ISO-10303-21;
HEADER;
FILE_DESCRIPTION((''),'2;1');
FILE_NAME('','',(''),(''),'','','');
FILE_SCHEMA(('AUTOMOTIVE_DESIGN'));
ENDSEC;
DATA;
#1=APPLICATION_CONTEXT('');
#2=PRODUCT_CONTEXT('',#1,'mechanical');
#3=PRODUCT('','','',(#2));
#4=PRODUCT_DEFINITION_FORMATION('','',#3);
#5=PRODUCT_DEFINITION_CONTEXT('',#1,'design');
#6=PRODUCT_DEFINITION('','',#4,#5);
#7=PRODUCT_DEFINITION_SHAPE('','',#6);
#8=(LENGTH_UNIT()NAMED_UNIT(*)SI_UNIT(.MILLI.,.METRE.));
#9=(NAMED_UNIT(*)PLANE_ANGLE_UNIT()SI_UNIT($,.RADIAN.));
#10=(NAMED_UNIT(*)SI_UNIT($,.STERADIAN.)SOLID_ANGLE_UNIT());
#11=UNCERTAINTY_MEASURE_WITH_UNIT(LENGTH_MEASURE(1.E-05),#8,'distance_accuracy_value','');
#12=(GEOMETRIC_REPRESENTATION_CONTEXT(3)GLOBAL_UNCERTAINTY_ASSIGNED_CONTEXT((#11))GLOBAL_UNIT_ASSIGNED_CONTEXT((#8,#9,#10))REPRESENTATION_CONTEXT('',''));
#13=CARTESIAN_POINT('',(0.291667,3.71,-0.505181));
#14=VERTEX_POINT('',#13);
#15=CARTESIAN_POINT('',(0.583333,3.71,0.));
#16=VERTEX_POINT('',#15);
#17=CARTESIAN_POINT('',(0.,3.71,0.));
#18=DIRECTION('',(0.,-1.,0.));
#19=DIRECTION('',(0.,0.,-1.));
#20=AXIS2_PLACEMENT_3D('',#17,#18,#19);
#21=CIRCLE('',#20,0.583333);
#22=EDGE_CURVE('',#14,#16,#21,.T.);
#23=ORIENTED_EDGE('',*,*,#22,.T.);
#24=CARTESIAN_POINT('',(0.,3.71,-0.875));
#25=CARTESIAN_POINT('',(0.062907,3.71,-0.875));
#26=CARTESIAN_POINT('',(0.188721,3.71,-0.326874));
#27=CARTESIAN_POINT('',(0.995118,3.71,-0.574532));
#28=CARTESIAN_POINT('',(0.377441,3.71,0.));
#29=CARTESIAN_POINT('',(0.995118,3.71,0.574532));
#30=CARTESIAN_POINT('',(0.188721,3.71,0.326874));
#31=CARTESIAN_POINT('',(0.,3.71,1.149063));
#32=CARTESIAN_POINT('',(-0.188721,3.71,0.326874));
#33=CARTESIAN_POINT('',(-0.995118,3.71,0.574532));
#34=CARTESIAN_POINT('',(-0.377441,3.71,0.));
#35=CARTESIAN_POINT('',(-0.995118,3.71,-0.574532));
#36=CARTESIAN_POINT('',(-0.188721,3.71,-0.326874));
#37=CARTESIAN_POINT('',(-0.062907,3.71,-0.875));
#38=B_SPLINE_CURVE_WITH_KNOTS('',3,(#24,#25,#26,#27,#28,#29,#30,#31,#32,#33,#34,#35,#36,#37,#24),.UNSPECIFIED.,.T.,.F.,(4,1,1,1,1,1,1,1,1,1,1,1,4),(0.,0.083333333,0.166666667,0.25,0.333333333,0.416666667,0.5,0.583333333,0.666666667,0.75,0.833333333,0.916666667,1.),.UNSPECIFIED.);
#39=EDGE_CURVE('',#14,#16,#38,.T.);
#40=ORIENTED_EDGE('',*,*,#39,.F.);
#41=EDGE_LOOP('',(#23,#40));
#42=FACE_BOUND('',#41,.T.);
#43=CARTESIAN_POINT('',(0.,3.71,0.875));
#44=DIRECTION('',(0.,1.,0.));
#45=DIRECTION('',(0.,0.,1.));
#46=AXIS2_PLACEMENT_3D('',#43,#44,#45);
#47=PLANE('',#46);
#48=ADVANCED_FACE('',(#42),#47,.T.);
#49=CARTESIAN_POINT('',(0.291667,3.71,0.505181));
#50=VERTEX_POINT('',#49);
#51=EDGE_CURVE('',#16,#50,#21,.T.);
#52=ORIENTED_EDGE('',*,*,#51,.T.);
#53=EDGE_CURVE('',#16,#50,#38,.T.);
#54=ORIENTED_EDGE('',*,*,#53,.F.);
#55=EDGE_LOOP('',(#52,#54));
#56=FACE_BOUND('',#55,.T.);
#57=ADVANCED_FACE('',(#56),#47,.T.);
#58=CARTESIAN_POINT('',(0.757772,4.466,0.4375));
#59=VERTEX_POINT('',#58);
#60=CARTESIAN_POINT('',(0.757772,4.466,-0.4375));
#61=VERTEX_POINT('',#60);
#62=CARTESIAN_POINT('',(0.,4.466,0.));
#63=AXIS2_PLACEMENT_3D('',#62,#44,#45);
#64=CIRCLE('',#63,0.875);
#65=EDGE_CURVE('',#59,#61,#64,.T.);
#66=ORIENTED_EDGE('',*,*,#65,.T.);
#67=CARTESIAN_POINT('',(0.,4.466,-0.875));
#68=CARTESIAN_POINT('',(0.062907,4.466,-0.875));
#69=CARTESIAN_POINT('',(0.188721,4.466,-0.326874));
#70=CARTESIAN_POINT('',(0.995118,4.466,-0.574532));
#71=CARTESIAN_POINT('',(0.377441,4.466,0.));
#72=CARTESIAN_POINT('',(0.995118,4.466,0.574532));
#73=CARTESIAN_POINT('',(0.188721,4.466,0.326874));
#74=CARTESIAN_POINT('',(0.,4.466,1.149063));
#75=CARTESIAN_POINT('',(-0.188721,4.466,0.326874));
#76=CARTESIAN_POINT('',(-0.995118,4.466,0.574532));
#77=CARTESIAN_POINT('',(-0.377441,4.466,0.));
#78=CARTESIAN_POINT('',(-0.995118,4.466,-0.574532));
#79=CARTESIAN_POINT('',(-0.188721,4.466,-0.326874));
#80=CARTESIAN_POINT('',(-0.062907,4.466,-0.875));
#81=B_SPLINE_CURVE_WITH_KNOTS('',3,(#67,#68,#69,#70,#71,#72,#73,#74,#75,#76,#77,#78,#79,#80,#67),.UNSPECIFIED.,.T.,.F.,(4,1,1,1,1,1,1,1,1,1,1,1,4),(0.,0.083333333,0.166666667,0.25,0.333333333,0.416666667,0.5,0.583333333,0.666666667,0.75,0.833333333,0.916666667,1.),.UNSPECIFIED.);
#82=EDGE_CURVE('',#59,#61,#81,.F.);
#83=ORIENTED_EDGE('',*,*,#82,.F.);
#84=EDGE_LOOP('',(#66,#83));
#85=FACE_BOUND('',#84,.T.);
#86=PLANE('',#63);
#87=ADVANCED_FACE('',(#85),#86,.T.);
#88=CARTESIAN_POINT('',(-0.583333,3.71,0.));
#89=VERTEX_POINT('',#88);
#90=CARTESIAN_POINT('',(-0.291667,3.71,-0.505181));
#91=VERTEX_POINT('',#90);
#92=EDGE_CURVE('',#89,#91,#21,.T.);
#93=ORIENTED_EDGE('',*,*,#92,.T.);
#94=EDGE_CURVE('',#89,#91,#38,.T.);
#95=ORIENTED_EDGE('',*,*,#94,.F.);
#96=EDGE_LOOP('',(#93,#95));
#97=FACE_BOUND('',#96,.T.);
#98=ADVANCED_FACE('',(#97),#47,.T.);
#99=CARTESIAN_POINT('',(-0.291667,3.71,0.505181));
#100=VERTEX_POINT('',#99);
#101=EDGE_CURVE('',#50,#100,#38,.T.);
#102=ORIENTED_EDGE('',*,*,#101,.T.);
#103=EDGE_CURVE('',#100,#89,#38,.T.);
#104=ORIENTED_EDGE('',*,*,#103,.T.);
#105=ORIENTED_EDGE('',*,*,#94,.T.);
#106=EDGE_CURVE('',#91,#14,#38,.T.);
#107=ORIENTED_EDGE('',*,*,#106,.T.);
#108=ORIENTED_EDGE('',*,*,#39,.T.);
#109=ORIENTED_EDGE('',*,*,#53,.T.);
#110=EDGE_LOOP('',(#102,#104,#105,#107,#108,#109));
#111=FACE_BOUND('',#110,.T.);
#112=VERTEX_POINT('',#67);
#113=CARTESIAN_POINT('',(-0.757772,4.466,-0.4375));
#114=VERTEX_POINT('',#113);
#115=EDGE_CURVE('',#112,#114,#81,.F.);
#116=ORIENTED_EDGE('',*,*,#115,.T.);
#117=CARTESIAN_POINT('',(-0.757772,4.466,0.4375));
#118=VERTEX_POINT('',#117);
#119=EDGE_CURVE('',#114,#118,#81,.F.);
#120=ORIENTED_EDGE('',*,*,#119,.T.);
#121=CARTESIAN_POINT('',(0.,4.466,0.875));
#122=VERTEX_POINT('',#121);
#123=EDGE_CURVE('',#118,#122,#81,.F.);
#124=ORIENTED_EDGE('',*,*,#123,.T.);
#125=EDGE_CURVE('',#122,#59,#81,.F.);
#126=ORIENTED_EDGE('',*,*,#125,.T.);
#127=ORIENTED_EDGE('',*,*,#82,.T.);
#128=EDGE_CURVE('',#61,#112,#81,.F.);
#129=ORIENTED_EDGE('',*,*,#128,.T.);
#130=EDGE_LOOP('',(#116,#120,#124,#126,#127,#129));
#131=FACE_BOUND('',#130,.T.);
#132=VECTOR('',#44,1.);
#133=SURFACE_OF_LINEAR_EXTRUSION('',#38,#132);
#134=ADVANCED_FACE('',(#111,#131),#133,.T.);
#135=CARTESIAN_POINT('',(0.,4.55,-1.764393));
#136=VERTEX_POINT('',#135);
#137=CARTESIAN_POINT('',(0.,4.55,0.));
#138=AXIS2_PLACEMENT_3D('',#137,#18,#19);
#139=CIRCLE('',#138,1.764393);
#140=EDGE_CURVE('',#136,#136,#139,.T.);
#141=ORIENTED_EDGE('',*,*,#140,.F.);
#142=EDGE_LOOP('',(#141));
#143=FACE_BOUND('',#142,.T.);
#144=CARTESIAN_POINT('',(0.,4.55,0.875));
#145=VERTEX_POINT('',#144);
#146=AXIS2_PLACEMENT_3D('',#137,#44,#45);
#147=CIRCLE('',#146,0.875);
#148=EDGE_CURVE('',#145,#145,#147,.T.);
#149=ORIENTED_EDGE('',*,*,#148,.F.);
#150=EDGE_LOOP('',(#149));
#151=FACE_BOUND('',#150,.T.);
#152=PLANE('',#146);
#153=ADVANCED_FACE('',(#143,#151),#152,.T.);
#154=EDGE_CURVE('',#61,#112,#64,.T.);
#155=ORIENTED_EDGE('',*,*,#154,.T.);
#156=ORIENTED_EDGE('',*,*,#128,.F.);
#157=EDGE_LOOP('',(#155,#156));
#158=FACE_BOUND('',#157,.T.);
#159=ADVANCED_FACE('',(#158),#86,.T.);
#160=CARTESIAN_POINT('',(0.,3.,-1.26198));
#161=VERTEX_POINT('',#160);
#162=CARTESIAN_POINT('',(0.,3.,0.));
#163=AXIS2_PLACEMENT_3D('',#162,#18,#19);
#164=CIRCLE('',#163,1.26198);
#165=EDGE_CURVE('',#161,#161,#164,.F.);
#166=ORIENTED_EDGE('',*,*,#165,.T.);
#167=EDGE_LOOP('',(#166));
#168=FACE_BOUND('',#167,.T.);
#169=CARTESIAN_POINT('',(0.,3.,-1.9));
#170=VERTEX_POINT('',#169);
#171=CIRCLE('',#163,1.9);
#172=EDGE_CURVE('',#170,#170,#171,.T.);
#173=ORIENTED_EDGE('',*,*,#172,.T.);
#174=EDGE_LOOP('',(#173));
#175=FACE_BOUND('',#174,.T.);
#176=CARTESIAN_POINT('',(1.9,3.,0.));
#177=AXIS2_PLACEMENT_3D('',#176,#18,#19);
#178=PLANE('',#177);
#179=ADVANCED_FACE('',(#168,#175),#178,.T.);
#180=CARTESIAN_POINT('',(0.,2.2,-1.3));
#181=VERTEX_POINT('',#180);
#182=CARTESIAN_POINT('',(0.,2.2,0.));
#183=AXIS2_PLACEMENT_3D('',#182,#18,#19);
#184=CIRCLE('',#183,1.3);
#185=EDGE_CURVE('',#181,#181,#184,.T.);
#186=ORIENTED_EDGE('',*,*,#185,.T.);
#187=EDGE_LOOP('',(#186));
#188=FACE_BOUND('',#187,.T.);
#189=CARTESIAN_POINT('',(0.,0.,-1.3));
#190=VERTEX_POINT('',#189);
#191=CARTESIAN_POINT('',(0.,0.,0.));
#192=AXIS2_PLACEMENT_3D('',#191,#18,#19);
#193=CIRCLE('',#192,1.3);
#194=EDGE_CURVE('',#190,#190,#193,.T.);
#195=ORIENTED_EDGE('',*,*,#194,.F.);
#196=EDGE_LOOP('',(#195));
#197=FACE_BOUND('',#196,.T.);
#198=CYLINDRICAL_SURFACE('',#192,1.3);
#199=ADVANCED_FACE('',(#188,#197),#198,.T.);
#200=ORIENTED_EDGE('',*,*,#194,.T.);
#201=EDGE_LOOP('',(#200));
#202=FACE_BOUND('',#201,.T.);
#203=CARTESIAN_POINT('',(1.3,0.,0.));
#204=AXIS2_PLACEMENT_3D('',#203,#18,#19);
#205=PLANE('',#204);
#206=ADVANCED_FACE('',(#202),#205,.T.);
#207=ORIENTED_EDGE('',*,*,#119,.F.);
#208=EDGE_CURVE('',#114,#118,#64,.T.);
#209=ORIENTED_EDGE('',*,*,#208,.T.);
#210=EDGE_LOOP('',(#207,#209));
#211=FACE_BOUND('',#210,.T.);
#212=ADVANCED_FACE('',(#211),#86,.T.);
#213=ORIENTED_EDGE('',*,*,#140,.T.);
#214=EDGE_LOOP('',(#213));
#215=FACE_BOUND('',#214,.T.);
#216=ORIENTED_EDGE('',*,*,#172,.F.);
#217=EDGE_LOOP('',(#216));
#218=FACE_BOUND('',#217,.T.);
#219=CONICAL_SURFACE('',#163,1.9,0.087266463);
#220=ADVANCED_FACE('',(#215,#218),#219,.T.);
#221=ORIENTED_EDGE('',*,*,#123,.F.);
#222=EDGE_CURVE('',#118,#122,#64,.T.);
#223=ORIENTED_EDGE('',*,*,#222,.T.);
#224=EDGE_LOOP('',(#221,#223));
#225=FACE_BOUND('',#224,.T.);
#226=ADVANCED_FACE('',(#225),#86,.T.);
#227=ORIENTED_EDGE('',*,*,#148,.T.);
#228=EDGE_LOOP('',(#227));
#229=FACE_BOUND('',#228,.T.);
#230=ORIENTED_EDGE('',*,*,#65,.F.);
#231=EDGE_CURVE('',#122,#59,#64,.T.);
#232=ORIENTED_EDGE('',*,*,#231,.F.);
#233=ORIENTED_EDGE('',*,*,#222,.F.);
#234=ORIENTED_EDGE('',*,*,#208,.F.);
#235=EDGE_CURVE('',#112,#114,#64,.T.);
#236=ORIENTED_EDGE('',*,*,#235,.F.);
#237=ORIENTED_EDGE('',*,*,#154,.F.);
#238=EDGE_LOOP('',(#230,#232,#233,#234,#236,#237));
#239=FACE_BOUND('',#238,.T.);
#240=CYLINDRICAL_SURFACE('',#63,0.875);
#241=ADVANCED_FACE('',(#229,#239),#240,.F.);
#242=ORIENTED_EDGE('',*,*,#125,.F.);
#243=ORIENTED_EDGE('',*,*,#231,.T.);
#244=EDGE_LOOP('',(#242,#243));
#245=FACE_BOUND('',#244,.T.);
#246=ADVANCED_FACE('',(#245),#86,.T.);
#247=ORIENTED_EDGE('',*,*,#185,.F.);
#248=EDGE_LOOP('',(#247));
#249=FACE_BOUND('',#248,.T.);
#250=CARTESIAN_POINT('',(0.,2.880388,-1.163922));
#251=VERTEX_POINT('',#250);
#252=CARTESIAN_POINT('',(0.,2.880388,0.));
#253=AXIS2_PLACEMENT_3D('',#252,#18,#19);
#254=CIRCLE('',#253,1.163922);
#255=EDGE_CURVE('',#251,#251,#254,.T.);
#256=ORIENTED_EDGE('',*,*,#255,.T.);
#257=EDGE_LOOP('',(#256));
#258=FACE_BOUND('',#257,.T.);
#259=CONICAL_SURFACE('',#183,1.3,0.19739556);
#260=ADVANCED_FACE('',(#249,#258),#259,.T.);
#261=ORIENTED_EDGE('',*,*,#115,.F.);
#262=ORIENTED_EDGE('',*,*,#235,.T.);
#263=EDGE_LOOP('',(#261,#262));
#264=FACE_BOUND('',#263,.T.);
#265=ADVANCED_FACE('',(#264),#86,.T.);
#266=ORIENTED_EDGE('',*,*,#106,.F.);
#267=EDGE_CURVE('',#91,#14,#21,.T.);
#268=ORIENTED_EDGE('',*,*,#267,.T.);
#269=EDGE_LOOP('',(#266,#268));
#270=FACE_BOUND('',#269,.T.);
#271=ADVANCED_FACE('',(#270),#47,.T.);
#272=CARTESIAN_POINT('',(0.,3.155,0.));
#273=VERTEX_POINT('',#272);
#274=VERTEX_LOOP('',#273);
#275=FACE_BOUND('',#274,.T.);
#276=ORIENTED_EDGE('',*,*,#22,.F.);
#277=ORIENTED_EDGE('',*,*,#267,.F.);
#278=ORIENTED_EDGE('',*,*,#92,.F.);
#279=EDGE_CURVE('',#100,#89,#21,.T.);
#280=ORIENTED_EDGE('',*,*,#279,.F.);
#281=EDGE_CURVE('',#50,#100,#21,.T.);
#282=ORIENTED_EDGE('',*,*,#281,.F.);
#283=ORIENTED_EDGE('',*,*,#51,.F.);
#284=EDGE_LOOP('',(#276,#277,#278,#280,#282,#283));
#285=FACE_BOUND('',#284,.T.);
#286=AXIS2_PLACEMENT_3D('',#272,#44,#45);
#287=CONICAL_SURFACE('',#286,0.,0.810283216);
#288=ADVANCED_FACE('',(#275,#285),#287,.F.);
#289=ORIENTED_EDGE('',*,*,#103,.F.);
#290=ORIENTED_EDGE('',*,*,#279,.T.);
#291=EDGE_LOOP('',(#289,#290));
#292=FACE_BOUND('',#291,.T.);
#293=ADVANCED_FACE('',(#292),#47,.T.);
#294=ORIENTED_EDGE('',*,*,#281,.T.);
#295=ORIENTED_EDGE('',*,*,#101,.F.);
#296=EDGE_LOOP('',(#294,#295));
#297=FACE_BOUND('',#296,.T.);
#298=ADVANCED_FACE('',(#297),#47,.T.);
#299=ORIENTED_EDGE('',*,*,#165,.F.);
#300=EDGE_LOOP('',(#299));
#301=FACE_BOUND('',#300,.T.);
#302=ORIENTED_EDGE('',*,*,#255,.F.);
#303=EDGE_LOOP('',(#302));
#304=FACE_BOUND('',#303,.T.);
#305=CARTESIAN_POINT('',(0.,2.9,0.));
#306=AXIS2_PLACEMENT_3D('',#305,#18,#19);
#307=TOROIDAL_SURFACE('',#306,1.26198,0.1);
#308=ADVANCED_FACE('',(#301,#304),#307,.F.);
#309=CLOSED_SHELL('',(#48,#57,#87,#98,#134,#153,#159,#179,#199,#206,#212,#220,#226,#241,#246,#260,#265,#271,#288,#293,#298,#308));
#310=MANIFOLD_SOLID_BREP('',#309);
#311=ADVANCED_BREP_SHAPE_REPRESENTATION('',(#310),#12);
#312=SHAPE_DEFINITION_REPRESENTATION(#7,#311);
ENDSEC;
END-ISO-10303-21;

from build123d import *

# Parameters (mm, degrees)
FILLET1_R                 = 0.1
SOCKET_CUT_EXTRUDE1_DEPTH = 0.84
SKETCH3_R                 = 0.875
SOCKET_CUT_EXTRUDE2_DEPTH = 0.084


with BuildPart() as part:
    # Sketch1 → Body-Revolve (revolve)
    with BuildSketch(Plane.XY, mode=Mode.PRIVATE) as body_revolve_sk:
        Polygon((0, 4.55), (1.764392572, 4.55), (1.9, 3), (1.3, 3), (1.14, 3), (1.3, 2.2), (1.3, 0), (0, 0), align=None)
    revolve(body_revolve_sk.sketch.rotate(Axis((0, 0, 0), (0, 1, 0)), 90), axis=Axis((0, 0, 0), (0, 1, 0)))

    # Fillet1
    fillet1_edges = [part.edges().sort_by_distance(p)[0] for p in [
        (0, 3, 1.14),
    ]]
    fillet(fillet1_edges, radius=FILLET1_R)

    # Sketch2 → Socket-Cut-Extrude1 (cut)
    with BuildSketch(Plane(origin=(0, 4.55, 0), x_dir=(-1, 0, 0), z_dir=(0, 1, 0))):
        with BuildLine():
            add(Edge.make_bspline(
                [(0, -0.875), (-0.062906837, -0.875), (-0.18872051, -0.326873512), (-0.99511796, -0.574531622), (-0.37744102, 0), (-0.99511796, 0.574531622), (-0.18872051, 0.326873512), (0, 1.149063244), (0.18872051, 0.326873512), (0.99511796, 0.574531622), (0.37744102, 0), (0.99511796, -0.574531622), (0.18872051, -0.326873512), (0.062906837, -0.875), (0, -0.875)],
                knots=[0, 0, 0, 0, 0.083333333, 0.166666667, 0.25, 0.333333333, 0.416666667, 0.5, 0.583333333, 0.666666667, 0.75, 0.833333333, 0.916666667, 1, 1, 1, 1], degree=3))
        make_face()
    extrude(amount=-SOCKET_CUT_EXTRUDE1_DEPTH, mode=Mode.SUBTRACT)

    # Sketch3 → Socket-Cut-Extrude2 (cut)
    with BuildSketch(Plane(origin=(0, 4.55, 0), x_dir=(-1, 0, 0), z_dir=(0, 1, 0))):
        with Locations(Location((0, 0, 0), (0, 0, 90))):
            Circle(SKETCH3_R)
    extrude(amount=-SOCKET_CUT_EXTRUDE2_DEPTH, mode=Mode.SUBTRACT)

    # Sketch4 → Drill-Cut-Revolve (revolve, cut)
    with BuildSketch(Plane.XY, mode=Mode.PRIVATE) as drill_cut_revolve_sk:
        Polygon((0, 3.71), (0.583333333, 3.71), (0, 3.155), align=None)
    revolve(drill_cut_revolve_sk.sketch.rotate(Axis((0, 0, 0), (0, 1, 0)), 270), axis=Axis((0, 0, 0), (0, 1, 0)), mode=Mode.SUBTRACT)


solid = part.part
